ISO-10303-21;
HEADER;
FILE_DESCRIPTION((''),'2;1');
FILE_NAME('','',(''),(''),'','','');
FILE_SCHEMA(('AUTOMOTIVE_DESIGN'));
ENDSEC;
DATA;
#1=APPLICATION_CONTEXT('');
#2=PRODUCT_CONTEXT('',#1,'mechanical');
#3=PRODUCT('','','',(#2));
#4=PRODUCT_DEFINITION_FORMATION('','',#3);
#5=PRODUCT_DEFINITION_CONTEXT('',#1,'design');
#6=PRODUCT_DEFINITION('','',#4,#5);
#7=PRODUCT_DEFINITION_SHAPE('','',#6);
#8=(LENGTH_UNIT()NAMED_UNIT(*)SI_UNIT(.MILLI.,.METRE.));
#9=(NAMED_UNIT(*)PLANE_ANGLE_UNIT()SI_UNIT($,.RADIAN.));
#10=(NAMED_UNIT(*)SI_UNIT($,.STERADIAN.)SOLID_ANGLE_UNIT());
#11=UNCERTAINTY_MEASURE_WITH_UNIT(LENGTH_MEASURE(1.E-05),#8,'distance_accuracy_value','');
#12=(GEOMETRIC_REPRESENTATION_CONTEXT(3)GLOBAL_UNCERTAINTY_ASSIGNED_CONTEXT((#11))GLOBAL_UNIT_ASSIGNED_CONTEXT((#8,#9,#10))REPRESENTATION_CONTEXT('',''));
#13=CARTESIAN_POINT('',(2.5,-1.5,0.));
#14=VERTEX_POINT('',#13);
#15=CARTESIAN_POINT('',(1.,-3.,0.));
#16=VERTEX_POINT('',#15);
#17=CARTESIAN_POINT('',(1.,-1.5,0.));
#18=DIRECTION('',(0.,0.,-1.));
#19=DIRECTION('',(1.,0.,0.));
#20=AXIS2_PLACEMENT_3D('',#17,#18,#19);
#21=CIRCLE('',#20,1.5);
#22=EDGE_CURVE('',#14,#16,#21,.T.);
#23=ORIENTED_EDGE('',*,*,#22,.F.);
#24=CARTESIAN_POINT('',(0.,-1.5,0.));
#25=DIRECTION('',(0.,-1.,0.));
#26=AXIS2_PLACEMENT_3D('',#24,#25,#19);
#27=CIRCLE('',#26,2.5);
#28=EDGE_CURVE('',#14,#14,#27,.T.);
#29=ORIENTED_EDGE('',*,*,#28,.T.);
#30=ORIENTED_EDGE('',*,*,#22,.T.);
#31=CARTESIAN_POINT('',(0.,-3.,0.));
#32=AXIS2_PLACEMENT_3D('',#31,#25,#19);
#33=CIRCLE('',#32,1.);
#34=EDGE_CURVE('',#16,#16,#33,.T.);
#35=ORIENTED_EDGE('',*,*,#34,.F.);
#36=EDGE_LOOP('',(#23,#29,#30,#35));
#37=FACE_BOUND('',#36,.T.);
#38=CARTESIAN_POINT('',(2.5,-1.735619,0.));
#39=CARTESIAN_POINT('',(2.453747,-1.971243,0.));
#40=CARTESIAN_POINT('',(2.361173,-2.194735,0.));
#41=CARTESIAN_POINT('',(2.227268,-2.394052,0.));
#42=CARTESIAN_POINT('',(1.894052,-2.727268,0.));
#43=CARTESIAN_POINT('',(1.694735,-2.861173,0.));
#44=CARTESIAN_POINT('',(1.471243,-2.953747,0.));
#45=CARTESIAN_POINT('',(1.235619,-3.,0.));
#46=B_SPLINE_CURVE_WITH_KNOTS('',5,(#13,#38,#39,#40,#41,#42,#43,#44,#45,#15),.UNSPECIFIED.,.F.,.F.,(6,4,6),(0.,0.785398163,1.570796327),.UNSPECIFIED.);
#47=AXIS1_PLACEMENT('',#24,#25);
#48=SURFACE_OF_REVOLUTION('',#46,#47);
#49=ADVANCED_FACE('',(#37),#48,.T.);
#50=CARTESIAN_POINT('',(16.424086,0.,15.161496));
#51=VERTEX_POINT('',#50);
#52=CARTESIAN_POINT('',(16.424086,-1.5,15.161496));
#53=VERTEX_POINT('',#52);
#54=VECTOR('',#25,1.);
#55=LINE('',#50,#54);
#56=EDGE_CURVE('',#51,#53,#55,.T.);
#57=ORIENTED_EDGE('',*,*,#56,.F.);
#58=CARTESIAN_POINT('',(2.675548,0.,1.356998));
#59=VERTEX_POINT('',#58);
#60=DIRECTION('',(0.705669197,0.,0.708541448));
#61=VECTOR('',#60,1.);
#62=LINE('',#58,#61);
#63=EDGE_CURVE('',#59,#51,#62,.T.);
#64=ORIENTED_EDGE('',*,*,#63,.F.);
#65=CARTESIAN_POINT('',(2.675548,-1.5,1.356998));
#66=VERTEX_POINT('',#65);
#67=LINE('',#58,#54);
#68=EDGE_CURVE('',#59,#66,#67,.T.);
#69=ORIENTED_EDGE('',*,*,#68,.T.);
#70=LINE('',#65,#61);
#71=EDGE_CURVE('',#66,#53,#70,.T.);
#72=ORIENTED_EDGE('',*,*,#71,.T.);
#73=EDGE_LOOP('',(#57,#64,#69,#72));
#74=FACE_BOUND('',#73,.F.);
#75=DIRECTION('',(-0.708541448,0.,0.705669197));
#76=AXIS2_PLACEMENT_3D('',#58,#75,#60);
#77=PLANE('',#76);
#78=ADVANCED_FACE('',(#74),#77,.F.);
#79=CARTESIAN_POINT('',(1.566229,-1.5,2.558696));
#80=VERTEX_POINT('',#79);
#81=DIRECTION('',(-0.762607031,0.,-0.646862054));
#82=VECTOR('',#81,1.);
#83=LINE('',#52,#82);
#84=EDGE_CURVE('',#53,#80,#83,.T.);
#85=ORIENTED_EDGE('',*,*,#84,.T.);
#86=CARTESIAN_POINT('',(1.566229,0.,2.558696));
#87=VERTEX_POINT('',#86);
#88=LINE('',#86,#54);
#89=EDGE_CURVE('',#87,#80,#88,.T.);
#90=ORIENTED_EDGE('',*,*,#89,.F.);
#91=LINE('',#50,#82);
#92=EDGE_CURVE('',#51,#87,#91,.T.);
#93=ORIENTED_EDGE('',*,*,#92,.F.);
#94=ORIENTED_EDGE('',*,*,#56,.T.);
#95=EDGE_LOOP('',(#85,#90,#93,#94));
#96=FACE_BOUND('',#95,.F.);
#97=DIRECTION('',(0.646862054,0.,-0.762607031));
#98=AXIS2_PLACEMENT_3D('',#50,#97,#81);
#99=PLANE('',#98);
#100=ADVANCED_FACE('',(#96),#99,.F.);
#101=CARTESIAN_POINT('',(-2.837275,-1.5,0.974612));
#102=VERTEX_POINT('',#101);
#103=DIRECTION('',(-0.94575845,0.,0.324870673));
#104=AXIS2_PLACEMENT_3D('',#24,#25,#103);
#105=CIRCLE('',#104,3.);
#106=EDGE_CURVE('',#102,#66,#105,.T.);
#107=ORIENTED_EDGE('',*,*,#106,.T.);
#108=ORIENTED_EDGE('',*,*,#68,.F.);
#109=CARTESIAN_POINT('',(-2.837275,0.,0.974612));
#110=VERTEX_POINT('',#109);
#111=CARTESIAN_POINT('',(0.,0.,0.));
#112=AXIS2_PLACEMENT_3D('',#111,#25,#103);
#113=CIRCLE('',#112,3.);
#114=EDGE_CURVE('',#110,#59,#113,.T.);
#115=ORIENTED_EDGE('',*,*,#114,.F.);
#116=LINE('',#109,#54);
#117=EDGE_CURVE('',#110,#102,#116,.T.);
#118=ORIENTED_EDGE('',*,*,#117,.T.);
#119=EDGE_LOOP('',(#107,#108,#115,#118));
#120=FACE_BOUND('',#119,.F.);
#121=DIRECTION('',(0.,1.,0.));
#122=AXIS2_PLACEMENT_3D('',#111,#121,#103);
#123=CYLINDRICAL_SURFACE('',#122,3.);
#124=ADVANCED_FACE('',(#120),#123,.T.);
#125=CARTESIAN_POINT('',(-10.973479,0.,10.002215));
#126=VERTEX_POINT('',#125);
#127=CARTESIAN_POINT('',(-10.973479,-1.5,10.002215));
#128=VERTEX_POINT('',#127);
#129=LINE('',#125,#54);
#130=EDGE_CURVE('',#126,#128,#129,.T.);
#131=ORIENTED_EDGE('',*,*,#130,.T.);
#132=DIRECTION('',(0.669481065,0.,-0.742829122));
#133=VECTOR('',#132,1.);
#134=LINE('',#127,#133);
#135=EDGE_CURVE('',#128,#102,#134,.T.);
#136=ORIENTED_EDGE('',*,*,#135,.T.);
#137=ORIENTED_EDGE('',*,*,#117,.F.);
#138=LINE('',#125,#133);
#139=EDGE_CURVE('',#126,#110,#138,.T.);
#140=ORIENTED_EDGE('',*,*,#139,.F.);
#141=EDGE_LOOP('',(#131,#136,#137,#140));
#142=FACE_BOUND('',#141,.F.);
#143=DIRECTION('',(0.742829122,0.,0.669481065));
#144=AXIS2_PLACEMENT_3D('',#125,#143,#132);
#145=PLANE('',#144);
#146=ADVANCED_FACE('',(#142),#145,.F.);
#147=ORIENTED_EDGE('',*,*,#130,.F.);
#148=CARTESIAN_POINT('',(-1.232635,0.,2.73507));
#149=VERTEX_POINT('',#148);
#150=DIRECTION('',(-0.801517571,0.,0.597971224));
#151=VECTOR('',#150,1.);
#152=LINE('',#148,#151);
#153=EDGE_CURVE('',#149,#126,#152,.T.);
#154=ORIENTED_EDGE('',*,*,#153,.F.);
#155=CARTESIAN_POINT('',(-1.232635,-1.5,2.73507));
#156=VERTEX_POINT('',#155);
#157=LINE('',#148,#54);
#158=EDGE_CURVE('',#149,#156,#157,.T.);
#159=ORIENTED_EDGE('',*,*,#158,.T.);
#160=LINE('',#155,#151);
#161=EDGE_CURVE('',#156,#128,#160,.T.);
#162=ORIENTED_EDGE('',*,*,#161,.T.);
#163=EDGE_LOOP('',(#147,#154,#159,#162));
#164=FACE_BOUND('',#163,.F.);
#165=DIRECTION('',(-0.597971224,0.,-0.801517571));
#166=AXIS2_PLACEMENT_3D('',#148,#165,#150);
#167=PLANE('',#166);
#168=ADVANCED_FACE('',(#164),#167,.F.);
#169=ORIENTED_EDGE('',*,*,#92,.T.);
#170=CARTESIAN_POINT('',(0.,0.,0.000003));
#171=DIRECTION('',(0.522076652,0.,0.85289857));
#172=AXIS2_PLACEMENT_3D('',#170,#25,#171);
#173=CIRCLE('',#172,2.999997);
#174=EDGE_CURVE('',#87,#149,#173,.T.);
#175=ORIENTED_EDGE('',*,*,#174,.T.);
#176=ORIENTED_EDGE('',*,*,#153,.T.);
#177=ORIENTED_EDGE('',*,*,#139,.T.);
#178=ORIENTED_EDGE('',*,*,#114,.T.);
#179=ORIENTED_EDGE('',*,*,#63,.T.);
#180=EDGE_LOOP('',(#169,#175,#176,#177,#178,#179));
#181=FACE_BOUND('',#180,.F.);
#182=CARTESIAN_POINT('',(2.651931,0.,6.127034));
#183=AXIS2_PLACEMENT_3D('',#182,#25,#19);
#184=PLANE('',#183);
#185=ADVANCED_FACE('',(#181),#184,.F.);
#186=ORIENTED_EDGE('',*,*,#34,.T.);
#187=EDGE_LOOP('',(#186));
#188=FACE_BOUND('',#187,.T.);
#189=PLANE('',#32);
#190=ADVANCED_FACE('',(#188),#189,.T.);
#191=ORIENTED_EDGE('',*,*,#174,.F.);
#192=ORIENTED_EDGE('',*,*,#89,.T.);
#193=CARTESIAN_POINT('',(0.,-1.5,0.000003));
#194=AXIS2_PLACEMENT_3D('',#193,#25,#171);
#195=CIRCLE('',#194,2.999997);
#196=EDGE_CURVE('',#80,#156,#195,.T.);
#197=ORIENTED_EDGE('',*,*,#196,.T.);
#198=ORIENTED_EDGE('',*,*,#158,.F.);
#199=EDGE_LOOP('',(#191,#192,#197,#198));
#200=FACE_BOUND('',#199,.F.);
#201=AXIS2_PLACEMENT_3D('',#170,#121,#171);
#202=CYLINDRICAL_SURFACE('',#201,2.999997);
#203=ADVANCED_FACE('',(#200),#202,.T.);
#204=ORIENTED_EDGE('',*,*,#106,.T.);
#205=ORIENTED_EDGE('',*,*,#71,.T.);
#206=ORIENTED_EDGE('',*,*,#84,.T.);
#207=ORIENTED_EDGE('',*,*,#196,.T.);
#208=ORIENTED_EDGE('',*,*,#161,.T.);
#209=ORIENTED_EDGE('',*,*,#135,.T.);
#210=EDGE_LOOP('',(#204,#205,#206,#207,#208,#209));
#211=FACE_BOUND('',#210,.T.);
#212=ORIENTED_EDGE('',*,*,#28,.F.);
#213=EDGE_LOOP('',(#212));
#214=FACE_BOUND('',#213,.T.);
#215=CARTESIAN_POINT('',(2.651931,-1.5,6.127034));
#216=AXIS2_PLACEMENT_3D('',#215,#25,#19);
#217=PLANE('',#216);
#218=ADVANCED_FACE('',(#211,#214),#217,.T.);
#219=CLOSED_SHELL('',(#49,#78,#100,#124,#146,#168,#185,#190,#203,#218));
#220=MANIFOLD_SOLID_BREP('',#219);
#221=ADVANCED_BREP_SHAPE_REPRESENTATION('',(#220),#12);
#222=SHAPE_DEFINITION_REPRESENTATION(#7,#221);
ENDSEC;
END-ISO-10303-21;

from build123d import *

# Parameters (mm, degrees)
F0_R     = 2.5
F1_DEPTH = 3
F2_R     = 1.5
F4_DEPTH = 1.5


with BuildPart() as f1:
    # F0 (on Front) → F1 (new body)
    with BuildSketch(Plane.XZ):
        Circle(F0_R)
    extrude(amount=F1_DEPTH)

    # F2
    f2_edges = [f1.edges().sort_by_distance(p)[0] for p in [
        (-2.5, -3, 0),
    ]]
    fillet(f2_edges, radius=F2_R)

    # F3 (on Front) → F4 (join)
    with BuildSketch(Plane.XZ):
        with BuildLine():
            Line((-10.973479, 10.002215), (-2.837275, 0.974612))
            ThreePointArc((-2.837275, 0.974612), (0.20759, -2.992809), (2.675548, 1.356998))
            Line((2.675548, 1.356998), (16.424086, 15.161496))
            Line((16.424086, 15.161496), (1.566229, 2.558696))
            ThreePointArc((1.566229, 2.558696), (0.188675, 2.994061), (-1.232635, 2.73507))
            Line((-1.232635, 2.73507), (-10.973479, 10.002215))
        make_face()
    extrude(amount=F4_DEPTH)


solid = f1.part
